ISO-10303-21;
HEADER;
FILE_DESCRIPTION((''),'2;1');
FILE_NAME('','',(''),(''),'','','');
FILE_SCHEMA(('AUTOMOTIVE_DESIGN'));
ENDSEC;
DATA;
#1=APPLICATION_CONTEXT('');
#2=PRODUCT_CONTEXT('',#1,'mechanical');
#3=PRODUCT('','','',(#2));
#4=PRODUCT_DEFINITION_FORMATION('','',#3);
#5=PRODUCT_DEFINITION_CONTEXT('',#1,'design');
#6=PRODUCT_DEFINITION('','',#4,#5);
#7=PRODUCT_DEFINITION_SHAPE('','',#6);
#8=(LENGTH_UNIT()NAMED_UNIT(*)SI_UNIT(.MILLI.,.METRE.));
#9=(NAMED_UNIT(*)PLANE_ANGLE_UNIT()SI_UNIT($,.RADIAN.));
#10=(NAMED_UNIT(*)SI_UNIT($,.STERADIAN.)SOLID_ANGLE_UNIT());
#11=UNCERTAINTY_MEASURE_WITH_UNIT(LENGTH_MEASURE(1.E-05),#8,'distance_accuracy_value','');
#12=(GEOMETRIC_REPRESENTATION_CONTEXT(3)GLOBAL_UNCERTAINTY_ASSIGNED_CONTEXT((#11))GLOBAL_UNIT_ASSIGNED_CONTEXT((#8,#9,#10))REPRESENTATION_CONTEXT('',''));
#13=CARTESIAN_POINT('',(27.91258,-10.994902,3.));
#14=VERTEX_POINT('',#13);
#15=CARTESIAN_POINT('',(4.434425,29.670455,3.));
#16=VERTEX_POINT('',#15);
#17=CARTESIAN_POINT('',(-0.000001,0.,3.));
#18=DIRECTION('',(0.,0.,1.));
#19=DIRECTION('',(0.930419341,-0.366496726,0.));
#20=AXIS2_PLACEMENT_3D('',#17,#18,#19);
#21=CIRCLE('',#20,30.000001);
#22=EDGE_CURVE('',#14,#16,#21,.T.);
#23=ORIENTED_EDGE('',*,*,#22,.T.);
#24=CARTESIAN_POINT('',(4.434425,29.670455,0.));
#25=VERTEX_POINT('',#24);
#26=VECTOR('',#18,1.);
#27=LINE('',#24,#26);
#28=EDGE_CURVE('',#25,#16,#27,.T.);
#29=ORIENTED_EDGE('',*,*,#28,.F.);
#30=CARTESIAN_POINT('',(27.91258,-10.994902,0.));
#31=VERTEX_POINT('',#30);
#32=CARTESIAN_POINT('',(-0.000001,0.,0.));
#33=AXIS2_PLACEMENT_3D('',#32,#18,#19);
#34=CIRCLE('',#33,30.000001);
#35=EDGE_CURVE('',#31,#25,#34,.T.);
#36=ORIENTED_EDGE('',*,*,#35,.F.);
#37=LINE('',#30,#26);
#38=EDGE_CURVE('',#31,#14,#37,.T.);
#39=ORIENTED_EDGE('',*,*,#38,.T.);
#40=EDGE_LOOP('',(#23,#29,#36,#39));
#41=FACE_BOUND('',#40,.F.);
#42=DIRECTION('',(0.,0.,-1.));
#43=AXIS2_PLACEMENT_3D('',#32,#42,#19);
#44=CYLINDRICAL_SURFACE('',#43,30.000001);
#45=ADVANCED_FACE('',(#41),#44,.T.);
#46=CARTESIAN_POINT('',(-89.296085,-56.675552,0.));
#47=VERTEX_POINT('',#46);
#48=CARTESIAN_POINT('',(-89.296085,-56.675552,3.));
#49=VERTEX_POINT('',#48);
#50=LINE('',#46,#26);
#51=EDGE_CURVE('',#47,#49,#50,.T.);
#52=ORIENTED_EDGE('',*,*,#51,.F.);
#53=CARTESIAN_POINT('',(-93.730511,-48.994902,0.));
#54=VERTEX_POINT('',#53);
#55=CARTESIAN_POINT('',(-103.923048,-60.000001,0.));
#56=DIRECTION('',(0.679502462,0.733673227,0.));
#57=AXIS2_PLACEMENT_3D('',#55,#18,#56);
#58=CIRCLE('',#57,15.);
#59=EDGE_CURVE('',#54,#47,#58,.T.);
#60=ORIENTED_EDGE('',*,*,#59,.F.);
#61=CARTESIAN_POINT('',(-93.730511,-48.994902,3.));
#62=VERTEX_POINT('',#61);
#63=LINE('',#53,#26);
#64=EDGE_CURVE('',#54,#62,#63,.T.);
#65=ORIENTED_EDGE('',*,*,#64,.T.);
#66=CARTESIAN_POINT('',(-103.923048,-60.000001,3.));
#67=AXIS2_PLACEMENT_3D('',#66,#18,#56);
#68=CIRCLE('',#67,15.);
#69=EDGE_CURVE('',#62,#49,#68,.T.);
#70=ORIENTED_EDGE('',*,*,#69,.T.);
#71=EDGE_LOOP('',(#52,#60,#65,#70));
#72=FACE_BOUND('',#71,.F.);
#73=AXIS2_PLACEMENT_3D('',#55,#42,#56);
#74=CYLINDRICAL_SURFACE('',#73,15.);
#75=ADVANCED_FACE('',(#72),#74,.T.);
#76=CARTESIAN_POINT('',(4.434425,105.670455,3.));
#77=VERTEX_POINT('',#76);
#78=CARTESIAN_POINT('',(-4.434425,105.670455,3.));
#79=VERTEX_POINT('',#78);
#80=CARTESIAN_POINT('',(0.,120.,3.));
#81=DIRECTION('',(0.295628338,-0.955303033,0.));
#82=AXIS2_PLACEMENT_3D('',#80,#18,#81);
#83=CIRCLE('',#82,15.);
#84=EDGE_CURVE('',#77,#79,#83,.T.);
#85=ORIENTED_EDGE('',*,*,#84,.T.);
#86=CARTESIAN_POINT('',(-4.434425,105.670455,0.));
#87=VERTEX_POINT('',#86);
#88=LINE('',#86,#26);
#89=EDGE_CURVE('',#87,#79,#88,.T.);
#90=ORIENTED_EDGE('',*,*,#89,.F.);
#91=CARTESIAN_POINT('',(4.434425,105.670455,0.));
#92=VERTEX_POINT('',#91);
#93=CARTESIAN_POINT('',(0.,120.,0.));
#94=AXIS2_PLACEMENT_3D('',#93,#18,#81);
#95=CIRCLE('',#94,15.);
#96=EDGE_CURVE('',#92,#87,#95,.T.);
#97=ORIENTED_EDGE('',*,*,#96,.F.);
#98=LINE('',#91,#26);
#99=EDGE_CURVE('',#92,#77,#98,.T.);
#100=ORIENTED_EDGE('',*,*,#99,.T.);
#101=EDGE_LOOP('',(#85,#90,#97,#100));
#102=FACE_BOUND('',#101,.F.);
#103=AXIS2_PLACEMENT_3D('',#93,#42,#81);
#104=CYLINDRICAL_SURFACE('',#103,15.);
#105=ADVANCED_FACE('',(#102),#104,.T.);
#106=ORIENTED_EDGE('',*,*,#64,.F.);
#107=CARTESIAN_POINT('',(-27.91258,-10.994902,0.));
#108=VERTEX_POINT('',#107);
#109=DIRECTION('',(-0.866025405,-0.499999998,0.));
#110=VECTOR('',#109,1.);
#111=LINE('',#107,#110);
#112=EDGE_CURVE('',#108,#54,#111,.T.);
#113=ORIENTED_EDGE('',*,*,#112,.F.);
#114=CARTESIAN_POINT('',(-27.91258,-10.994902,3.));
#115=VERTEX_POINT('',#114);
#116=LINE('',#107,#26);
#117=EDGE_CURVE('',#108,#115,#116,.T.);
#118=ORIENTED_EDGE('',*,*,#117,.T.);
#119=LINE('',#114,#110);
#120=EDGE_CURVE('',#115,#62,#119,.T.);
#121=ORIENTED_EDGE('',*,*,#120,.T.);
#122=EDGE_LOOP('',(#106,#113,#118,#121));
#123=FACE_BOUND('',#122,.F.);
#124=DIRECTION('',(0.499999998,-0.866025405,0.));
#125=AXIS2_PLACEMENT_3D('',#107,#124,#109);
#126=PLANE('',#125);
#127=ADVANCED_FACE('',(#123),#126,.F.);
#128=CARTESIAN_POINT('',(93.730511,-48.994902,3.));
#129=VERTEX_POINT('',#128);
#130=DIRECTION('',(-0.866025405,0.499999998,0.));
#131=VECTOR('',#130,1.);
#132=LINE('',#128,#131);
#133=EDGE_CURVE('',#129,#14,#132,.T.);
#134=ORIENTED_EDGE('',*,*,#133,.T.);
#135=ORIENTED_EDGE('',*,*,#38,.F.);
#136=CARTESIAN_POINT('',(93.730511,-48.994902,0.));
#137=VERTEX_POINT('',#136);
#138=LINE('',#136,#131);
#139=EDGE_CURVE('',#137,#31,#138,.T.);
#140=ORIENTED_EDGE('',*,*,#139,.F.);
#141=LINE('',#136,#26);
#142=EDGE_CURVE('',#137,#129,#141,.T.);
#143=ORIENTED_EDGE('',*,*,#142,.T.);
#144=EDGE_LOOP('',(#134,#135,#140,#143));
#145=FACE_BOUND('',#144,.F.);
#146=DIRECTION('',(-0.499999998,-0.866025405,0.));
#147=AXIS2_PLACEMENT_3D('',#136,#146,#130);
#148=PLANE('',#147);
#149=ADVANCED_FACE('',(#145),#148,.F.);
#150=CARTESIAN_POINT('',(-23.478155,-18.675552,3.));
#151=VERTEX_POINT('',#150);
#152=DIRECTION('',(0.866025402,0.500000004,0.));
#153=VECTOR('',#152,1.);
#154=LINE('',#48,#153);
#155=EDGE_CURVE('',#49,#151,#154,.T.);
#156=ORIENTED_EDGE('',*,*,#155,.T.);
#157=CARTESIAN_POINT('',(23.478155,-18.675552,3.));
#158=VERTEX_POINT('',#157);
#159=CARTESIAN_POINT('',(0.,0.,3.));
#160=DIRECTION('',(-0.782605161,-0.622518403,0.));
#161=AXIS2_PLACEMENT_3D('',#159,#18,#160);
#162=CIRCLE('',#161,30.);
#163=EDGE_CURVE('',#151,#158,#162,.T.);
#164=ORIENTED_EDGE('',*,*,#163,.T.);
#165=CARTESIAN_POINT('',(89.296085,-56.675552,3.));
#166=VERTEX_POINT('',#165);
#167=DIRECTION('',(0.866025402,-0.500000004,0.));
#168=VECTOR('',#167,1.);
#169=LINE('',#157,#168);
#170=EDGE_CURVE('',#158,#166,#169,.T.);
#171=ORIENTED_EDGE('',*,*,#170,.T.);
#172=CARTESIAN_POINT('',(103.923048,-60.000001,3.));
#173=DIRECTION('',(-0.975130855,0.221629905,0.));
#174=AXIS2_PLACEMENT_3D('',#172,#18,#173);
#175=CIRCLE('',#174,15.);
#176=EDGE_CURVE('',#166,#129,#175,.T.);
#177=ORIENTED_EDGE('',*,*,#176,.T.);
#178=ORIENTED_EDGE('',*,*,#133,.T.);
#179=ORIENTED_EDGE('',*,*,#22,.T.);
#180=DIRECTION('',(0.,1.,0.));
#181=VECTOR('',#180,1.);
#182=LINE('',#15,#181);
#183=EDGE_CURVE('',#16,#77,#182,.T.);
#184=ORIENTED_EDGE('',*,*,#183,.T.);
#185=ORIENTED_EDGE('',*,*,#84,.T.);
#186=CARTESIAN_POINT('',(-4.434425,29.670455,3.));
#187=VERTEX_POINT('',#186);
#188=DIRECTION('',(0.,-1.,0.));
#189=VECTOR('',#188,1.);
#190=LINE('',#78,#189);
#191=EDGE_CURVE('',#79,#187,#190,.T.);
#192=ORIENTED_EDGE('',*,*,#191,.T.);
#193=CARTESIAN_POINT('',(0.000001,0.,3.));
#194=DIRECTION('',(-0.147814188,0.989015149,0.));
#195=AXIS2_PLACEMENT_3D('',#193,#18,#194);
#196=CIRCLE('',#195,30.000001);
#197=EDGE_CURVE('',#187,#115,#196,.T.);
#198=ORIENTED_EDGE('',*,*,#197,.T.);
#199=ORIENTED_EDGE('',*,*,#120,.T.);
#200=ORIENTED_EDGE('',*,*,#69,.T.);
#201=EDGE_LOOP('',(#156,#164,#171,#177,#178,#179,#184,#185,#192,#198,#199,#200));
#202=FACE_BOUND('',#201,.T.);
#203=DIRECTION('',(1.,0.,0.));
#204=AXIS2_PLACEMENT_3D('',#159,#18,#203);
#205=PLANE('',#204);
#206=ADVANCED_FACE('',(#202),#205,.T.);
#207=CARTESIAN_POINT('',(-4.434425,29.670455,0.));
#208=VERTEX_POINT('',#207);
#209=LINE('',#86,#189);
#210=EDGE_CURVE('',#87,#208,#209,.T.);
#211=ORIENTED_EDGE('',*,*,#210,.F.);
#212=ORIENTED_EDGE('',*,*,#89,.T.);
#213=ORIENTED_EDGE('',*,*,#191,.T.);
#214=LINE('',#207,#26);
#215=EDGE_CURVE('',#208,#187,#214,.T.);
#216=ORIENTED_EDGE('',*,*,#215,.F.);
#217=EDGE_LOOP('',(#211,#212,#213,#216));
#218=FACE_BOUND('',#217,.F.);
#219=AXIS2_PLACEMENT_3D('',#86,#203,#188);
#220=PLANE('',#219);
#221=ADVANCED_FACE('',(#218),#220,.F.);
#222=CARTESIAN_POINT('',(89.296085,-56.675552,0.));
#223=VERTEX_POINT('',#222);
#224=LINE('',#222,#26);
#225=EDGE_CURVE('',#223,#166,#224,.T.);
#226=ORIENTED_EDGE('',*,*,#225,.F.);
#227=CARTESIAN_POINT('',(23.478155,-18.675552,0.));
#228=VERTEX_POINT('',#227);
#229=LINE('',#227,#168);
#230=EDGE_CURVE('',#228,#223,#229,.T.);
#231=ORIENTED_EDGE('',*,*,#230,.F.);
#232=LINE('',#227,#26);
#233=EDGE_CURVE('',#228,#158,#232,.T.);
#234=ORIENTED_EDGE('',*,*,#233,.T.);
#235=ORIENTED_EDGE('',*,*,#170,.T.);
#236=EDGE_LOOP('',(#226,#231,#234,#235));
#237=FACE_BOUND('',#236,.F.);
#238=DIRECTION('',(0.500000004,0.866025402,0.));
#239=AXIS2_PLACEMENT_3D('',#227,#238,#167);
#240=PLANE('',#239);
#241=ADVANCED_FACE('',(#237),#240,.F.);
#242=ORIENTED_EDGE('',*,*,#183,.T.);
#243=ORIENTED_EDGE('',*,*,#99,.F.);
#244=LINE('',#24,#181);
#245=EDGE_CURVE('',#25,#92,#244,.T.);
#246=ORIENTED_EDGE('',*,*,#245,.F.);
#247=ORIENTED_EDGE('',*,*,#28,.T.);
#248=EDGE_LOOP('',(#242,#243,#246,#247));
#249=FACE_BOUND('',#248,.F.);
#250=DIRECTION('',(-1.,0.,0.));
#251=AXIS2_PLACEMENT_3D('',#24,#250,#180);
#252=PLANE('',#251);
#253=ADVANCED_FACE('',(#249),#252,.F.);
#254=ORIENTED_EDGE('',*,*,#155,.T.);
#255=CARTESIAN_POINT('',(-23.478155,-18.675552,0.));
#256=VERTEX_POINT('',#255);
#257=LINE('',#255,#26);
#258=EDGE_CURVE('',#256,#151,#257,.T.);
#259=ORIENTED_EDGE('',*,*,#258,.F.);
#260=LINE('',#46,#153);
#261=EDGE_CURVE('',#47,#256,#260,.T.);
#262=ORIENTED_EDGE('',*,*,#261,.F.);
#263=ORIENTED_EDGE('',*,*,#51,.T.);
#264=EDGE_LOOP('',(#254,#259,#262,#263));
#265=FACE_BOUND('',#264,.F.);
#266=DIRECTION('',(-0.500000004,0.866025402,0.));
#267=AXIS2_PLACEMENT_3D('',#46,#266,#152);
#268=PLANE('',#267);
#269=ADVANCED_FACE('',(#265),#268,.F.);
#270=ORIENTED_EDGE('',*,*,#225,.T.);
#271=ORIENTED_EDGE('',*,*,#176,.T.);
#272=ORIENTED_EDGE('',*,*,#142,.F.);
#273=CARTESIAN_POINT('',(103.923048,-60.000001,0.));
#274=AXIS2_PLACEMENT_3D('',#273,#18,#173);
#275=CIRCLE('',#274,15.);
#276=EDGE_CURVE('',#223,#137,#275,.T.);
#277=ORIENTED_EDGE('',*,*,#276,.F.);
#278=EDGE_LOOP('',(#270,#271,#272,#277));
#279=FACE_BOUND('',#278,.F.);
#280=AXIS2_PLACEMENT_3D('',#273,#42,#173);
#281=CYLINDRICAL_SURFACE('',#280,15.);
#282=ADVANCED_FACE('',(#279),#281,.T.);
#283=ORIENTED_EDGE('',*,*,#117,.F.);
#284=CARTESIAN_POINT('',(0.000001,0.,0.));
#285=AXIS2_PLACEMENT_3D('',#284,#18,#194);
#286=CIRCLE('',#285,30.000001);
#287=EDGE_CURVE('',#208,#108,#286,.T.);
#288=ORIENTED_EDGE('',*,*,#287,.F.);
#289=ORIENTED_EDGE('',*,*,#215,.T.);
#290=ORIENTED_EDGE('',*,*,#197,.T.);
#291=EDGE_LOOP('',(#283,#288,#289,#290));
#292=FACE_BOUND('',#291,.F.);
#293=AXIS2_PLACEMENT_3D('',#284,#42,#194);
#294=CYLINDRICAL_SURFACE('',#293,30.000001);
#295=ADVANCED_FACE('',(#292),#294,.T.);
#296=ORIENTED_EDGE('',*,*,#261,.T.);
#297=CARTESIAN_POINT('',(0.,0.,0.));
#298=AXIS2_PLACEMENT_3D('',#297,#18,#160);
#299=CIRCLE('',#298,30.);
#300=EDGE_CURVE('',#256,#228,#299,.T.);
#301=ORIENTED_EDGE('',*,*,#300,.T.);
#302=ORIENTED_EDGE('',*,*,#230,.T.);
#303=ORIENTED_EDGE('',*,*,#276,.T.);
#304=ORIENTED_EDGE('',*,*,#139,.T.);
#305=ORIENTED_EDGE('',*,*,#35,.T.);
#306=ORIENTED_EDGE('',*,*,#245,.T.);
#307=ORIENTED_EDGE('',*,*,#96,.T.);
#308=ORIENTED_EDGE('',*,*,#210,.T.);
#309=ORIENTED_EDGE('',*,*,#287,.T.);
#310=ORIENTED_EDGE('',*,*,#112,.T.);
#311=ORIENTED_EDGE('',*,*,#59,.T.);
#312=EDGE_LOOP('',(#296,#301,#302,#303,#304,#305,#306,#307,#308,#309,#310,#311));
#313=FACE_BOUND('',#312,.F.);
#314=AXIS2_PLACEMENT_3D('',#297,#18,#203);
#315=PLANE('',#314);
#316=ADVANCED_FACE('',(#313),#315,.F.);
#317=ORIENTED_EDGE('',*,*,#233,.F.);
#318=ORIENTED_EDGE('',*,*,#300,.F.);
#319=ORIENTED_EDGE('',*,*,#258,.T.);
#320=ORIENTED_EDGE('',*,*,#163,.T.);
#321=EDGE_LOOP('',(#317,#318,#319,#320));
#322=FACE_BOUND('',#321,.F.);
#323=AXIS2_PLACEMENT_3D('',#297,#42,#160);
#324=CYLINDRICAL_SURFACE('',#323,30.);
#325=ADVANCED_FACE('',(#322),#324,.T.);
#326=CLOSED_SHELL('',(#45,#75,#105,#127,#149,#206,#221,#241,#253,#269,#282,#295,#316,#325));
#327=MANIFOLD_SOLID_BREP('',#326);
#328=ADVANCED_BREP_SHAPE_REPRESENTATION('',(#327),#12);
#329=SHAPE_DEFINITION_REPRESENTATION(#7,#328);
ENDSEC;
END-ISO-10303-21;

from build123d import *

# Parameters (mm, degrees)
F1_DEPTH = 3


with BuildPart() as f1:
    # F0 (on Top) → F1 (new body)
    with BuildSketch(Plane.XY):
        with BuildLine():
            Line((4.434425, 29.670455), (4.434425, 105.670455))
            ThreePointArc((4.434425, 105.670455), (0, 135), (-4.434425, 105.670455))
            Line((-4.434425, 105.670455), (-4.434425, 29.670455))
            ThreePointArc((-4.434425, 29.670455), (-25.980762, 15), (-27.91258, -10.994902))
            Line((-27.91258, -10.994902), (-93.730511, -48.994902))
            ThreePointArc((-93.730511, -48.994902), (-116.91343, -67.5), (-89.296085, -56.675552))
            Line((-89.296085, -56.675552), (-23.478155, -18.675552))
            ThreePointArc((-23.478155, -18.675552), (0, -30), (23.478155, -18.675552))
            Line((23.478155, -18.675552), (89.296085, -56.675552))
            ThreePointArc((89.296085, -56.675552), (116.91343, -67.5), (93.730511, -48.994902))
            Line((93.730511, -48.994902), (27.91258, -10.994902))
            ThreePointArc((27.91258, -10.994902), (25.980762, 15), (4.434425, 29.670455))
        make_face()
    extrude(amount=F1_DEPTH)


solid = f1.part
